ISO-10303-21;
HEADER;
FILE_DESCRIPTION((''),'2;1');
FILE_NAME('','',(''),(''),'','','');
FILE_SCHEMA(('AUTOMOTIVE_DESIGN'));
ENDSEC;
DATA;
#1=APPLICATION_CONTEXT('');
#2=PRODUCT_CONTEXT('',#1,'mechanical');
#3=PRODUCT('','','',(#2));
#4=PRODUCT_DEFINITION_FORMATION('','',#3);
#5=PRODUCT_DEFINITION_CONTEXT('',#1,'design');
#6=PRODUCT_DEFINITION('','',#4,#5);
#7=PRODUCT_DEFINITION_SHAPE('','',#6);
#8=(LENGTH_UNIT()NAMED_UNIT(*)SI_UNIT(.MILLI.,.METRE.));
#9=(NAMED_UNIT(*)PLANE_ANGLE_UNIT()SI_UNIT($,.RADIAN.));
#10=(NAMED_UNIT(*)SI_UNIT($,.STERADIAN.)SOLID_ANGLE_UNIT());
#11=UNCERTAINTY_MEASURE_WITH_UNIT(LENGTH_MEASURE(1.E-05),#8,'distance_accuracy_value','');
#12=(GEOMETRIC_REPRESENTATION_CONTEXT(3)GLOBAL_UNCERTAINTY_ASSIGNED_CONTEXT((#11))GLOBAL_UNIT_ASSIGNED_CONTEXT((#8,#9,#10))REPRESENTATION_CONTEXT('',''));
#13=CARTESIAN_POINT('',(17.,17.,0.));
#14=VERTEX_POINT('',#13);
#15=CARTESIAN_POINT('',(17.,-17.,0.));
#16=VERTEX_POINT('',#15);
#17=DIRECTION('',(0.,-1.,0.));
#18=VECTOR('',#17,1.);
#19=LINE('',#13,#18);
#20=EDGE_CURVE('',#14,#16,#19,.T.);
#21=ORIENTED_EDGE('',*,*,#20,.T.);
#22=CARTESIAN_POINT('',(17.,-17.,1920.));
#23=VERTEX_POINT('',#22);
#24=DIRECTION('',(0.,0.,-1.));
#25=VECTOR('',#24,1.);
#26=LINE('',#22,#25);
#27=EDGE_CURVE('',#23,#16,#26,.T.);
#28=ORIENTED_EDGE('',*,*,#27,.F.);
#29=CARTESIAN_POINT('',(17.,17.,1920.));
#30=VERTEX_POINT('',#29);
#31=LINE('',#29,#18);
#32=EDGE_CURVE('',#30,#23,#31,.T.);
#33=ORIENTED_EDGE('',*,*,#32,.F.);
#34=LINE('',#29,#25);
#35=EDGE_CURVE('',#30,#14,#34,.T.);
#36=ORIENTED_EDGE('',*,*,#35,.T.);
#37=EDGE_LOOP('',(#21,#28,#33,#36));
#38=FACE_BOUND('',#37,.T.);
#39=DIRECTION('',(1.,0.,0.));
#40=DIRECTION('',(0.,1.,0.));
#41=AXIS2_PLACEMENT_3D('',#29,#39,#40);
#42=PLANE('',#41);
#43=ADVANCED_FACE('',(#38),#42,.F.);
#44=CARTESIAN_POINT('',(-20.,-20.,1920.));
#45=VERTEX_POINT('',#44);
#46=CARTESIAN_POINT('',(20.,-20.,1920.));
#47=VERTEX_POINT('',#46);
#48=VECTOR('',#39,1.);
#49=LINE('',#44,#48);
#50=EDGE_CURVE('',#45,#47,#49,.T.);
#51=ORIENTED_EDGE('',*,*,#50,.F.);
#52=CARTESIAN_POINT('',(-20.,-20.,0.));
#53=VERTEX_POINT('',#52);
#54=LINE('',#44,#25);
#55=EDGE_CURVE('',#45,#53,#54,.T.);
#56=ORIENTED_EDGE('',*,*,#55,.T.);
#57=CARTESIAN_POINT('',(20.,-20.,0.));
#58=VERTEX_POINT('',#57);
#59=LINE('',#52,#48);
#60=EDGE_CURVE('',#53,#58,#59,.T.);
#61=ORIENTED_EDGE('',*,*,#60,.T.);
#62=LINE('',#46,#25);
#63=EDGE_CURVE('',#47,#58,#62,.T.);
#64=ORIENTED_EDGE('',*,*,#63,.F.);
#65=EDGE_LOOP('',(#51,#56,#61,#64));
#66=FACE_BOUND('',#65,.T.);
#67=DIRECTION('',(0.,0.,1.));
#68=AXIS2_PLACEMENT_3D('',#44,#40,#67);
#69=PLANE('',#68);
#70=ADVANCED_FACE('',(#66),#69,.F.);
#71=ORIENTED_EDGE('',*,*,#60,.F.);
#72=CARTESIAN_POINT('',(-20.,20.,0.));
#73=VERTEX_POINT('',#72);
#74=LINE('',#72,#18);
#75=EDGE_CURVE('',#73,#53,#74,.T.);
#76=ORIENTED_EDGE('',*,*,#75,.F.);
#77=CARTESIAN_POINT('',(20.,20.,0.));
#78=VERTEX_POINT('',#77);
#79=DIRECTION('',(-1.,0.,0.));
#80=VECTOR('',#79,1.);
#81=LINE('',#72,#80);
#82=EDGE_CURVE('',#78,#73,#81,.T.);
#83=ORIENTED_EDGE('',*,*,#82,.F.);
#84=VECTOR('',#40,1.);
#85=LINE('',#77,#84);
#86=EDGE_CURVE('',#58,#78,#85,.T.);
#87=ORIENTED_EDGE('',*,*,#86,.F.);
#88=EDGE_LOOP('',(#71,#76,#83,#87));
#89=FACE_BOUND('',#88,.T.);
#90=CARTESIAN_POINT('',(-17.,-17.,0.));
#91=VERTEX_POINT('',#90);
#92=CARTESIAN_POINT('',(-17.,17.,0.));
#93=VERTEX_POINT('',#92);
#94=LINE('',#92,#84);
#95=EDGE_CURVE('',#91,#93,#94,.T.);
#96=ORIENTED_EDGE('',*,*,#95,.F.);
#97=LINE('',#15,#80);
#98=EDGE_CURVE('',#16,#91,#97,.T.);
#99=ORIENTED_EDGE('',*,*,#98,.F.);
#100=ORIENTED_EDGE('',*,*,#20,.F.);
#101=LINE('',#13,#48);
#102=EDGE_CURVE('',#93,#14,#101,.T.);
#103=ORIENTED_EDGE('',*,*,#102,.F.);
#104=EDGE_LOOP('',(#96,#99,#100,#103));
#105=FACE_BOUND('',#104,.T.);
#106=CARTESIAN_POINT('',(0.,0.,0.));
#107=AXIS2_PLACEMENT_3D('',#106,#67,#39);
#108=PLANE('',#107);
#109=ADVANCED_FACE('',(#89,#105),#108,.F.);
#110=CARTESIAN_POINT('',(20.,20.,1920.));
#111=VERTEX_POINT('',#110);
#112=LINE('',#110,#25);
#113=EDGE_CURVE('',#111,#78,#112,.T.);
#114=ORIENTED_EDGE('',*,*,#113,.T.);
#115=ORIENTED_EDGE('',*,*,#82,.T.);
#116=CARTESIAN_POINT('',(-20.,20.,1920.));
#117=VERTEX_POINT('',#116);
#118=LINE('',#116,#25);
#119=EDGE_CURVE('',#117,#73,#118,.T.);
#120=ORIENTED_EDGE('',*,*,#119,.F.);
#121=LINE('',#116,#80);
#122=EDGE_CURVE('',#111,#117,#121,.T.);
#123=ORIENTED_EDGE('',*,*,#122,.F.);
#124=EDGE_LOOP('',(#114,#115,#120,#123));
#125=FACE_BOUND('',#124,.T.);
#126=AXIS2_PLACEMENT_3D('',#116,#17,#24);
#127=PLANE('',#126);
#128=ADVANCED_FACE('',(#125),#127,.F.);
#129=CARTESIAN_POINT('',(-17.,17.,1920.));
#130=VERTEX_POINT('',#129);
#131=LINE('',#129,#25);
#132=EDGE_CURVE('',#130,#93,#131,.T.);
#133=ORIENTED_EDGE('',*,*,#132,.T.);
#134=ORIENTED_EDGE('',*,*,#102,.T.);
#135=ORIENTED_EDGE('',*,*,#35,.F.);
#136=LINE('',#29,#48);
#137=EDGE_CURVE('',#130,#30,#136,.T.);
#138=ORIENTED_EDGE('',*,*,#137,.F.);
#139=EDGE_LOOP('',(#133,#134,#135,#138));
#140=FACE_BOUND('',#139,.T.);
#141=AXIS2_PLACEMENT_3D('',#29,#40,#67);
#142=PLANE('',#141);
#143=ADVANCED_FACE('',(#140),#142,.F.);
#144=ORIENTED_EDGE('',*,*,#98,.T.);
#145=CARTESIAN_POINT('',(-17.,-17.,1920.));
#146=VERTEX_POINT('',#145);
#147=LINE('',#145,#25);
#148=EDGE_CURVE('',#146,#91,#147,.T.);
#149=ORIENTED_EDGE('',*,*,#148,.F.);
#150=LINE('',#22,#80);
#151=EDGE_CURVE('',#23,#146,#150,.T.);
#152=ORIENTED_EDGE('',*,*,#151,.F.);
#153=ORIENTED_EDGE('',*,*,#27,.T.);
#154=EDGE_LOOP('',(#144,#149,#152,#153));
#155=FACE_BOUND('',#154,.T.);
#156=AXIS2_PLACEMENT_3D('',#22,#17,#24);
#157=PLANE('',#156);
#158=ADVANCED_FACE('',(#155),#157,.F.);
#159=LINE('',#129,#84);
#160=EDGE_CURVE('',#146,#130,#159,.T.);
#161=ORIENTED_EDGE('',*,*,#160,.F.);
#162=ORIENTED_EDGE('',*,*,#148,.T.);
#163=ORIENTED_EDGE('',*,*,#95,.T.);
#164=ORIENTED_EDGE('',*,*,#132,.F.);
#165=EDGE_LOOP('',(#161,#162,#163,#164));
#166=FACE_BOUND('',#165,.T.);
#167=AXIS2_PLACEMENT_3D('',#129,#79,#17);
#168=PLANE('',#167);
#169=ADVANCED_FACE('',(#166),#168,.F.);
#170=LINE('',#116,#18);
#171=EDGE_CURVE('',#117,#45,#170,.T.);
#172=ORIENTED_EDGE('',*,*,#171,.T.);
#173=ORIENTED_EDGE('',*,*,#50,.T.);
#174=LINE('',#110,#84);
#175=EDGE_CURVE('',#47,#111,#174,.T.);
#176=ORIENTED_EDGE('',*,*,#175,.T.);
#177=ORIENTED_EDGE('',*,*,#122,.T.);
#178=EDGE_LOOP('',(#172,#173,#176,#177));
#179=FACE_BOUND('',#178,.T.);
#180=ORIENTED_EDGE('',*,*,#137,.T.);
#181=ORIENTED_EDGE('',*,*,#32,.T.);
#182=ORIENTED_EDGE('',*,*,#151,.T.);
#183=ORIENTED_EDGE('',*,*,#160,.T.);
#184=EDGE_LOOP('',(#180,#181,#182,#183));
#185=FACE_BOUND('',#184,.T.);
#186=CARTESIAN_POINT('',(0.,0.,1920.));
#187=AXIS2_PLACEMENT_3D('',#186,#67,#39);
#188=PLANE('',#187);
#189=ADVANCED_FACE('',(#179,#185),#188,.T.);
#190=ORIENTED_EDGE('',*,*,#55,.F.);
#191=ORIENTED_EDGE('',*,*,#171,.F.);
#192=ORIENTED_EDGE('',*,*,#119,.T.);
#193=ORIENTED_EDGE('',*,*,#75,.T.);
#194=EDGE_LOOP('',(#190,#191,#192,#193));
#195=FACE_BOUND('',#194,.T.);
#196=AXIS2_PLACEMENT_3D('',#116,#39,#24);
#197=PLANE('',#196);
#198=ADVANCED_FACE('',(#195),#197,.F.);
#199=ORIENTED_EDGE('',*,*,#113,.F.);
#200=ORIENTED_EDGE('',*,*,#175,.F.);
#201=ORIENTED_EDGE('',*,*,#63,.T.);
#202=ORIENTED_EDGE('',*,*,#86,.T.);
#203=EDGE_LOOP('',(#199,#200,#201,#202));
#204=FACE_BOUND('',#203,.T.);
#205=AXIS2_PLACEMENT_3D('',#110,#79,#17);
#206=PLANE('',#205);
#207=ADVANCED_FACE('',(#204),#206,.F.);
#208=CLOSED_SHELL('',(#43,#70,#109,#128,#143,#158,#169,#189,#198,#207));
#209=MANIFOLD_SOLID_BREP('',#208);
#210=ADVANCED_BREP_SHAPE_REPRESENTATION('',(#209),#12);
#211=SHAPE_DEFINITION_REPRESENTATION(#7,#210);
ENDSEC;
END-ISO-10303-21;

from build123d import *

# Parameters (mm, degrees)
SKETCH1_W           = 40
SKETCH1_H           = 40
BOSS_EXTRUDE1_DEPTH = 1920
SKETCH2_W           = 34
SKETCH2_H           = 34
CUT_EXTRUDE1_DEPTH  = 1920


with BuildPart() as part:
    # Sketch1 → Boss-Extrude1 (new body)
    with BuildSketch(Plane.XY):
        Rectangle(SKETCH1_W, SKETCH1_H)
    extrude(amount=BOSS_EXTRUDE1_DEPTH)

    # Sketch2 → Cut-Extrude1 (cut)
    with BuildSketch(Plane(origin=(0, 0, 0), x_dir=(-1, 0, 0), z_dir=(0, 0, -1))):
        Rectangle(SKETCH2_W, SKETCH2_H)
    extrude(amount=-CUT_EXTRUDE1_DEPTH, mode=Mode.SUBTRACT)


solid = part.part
